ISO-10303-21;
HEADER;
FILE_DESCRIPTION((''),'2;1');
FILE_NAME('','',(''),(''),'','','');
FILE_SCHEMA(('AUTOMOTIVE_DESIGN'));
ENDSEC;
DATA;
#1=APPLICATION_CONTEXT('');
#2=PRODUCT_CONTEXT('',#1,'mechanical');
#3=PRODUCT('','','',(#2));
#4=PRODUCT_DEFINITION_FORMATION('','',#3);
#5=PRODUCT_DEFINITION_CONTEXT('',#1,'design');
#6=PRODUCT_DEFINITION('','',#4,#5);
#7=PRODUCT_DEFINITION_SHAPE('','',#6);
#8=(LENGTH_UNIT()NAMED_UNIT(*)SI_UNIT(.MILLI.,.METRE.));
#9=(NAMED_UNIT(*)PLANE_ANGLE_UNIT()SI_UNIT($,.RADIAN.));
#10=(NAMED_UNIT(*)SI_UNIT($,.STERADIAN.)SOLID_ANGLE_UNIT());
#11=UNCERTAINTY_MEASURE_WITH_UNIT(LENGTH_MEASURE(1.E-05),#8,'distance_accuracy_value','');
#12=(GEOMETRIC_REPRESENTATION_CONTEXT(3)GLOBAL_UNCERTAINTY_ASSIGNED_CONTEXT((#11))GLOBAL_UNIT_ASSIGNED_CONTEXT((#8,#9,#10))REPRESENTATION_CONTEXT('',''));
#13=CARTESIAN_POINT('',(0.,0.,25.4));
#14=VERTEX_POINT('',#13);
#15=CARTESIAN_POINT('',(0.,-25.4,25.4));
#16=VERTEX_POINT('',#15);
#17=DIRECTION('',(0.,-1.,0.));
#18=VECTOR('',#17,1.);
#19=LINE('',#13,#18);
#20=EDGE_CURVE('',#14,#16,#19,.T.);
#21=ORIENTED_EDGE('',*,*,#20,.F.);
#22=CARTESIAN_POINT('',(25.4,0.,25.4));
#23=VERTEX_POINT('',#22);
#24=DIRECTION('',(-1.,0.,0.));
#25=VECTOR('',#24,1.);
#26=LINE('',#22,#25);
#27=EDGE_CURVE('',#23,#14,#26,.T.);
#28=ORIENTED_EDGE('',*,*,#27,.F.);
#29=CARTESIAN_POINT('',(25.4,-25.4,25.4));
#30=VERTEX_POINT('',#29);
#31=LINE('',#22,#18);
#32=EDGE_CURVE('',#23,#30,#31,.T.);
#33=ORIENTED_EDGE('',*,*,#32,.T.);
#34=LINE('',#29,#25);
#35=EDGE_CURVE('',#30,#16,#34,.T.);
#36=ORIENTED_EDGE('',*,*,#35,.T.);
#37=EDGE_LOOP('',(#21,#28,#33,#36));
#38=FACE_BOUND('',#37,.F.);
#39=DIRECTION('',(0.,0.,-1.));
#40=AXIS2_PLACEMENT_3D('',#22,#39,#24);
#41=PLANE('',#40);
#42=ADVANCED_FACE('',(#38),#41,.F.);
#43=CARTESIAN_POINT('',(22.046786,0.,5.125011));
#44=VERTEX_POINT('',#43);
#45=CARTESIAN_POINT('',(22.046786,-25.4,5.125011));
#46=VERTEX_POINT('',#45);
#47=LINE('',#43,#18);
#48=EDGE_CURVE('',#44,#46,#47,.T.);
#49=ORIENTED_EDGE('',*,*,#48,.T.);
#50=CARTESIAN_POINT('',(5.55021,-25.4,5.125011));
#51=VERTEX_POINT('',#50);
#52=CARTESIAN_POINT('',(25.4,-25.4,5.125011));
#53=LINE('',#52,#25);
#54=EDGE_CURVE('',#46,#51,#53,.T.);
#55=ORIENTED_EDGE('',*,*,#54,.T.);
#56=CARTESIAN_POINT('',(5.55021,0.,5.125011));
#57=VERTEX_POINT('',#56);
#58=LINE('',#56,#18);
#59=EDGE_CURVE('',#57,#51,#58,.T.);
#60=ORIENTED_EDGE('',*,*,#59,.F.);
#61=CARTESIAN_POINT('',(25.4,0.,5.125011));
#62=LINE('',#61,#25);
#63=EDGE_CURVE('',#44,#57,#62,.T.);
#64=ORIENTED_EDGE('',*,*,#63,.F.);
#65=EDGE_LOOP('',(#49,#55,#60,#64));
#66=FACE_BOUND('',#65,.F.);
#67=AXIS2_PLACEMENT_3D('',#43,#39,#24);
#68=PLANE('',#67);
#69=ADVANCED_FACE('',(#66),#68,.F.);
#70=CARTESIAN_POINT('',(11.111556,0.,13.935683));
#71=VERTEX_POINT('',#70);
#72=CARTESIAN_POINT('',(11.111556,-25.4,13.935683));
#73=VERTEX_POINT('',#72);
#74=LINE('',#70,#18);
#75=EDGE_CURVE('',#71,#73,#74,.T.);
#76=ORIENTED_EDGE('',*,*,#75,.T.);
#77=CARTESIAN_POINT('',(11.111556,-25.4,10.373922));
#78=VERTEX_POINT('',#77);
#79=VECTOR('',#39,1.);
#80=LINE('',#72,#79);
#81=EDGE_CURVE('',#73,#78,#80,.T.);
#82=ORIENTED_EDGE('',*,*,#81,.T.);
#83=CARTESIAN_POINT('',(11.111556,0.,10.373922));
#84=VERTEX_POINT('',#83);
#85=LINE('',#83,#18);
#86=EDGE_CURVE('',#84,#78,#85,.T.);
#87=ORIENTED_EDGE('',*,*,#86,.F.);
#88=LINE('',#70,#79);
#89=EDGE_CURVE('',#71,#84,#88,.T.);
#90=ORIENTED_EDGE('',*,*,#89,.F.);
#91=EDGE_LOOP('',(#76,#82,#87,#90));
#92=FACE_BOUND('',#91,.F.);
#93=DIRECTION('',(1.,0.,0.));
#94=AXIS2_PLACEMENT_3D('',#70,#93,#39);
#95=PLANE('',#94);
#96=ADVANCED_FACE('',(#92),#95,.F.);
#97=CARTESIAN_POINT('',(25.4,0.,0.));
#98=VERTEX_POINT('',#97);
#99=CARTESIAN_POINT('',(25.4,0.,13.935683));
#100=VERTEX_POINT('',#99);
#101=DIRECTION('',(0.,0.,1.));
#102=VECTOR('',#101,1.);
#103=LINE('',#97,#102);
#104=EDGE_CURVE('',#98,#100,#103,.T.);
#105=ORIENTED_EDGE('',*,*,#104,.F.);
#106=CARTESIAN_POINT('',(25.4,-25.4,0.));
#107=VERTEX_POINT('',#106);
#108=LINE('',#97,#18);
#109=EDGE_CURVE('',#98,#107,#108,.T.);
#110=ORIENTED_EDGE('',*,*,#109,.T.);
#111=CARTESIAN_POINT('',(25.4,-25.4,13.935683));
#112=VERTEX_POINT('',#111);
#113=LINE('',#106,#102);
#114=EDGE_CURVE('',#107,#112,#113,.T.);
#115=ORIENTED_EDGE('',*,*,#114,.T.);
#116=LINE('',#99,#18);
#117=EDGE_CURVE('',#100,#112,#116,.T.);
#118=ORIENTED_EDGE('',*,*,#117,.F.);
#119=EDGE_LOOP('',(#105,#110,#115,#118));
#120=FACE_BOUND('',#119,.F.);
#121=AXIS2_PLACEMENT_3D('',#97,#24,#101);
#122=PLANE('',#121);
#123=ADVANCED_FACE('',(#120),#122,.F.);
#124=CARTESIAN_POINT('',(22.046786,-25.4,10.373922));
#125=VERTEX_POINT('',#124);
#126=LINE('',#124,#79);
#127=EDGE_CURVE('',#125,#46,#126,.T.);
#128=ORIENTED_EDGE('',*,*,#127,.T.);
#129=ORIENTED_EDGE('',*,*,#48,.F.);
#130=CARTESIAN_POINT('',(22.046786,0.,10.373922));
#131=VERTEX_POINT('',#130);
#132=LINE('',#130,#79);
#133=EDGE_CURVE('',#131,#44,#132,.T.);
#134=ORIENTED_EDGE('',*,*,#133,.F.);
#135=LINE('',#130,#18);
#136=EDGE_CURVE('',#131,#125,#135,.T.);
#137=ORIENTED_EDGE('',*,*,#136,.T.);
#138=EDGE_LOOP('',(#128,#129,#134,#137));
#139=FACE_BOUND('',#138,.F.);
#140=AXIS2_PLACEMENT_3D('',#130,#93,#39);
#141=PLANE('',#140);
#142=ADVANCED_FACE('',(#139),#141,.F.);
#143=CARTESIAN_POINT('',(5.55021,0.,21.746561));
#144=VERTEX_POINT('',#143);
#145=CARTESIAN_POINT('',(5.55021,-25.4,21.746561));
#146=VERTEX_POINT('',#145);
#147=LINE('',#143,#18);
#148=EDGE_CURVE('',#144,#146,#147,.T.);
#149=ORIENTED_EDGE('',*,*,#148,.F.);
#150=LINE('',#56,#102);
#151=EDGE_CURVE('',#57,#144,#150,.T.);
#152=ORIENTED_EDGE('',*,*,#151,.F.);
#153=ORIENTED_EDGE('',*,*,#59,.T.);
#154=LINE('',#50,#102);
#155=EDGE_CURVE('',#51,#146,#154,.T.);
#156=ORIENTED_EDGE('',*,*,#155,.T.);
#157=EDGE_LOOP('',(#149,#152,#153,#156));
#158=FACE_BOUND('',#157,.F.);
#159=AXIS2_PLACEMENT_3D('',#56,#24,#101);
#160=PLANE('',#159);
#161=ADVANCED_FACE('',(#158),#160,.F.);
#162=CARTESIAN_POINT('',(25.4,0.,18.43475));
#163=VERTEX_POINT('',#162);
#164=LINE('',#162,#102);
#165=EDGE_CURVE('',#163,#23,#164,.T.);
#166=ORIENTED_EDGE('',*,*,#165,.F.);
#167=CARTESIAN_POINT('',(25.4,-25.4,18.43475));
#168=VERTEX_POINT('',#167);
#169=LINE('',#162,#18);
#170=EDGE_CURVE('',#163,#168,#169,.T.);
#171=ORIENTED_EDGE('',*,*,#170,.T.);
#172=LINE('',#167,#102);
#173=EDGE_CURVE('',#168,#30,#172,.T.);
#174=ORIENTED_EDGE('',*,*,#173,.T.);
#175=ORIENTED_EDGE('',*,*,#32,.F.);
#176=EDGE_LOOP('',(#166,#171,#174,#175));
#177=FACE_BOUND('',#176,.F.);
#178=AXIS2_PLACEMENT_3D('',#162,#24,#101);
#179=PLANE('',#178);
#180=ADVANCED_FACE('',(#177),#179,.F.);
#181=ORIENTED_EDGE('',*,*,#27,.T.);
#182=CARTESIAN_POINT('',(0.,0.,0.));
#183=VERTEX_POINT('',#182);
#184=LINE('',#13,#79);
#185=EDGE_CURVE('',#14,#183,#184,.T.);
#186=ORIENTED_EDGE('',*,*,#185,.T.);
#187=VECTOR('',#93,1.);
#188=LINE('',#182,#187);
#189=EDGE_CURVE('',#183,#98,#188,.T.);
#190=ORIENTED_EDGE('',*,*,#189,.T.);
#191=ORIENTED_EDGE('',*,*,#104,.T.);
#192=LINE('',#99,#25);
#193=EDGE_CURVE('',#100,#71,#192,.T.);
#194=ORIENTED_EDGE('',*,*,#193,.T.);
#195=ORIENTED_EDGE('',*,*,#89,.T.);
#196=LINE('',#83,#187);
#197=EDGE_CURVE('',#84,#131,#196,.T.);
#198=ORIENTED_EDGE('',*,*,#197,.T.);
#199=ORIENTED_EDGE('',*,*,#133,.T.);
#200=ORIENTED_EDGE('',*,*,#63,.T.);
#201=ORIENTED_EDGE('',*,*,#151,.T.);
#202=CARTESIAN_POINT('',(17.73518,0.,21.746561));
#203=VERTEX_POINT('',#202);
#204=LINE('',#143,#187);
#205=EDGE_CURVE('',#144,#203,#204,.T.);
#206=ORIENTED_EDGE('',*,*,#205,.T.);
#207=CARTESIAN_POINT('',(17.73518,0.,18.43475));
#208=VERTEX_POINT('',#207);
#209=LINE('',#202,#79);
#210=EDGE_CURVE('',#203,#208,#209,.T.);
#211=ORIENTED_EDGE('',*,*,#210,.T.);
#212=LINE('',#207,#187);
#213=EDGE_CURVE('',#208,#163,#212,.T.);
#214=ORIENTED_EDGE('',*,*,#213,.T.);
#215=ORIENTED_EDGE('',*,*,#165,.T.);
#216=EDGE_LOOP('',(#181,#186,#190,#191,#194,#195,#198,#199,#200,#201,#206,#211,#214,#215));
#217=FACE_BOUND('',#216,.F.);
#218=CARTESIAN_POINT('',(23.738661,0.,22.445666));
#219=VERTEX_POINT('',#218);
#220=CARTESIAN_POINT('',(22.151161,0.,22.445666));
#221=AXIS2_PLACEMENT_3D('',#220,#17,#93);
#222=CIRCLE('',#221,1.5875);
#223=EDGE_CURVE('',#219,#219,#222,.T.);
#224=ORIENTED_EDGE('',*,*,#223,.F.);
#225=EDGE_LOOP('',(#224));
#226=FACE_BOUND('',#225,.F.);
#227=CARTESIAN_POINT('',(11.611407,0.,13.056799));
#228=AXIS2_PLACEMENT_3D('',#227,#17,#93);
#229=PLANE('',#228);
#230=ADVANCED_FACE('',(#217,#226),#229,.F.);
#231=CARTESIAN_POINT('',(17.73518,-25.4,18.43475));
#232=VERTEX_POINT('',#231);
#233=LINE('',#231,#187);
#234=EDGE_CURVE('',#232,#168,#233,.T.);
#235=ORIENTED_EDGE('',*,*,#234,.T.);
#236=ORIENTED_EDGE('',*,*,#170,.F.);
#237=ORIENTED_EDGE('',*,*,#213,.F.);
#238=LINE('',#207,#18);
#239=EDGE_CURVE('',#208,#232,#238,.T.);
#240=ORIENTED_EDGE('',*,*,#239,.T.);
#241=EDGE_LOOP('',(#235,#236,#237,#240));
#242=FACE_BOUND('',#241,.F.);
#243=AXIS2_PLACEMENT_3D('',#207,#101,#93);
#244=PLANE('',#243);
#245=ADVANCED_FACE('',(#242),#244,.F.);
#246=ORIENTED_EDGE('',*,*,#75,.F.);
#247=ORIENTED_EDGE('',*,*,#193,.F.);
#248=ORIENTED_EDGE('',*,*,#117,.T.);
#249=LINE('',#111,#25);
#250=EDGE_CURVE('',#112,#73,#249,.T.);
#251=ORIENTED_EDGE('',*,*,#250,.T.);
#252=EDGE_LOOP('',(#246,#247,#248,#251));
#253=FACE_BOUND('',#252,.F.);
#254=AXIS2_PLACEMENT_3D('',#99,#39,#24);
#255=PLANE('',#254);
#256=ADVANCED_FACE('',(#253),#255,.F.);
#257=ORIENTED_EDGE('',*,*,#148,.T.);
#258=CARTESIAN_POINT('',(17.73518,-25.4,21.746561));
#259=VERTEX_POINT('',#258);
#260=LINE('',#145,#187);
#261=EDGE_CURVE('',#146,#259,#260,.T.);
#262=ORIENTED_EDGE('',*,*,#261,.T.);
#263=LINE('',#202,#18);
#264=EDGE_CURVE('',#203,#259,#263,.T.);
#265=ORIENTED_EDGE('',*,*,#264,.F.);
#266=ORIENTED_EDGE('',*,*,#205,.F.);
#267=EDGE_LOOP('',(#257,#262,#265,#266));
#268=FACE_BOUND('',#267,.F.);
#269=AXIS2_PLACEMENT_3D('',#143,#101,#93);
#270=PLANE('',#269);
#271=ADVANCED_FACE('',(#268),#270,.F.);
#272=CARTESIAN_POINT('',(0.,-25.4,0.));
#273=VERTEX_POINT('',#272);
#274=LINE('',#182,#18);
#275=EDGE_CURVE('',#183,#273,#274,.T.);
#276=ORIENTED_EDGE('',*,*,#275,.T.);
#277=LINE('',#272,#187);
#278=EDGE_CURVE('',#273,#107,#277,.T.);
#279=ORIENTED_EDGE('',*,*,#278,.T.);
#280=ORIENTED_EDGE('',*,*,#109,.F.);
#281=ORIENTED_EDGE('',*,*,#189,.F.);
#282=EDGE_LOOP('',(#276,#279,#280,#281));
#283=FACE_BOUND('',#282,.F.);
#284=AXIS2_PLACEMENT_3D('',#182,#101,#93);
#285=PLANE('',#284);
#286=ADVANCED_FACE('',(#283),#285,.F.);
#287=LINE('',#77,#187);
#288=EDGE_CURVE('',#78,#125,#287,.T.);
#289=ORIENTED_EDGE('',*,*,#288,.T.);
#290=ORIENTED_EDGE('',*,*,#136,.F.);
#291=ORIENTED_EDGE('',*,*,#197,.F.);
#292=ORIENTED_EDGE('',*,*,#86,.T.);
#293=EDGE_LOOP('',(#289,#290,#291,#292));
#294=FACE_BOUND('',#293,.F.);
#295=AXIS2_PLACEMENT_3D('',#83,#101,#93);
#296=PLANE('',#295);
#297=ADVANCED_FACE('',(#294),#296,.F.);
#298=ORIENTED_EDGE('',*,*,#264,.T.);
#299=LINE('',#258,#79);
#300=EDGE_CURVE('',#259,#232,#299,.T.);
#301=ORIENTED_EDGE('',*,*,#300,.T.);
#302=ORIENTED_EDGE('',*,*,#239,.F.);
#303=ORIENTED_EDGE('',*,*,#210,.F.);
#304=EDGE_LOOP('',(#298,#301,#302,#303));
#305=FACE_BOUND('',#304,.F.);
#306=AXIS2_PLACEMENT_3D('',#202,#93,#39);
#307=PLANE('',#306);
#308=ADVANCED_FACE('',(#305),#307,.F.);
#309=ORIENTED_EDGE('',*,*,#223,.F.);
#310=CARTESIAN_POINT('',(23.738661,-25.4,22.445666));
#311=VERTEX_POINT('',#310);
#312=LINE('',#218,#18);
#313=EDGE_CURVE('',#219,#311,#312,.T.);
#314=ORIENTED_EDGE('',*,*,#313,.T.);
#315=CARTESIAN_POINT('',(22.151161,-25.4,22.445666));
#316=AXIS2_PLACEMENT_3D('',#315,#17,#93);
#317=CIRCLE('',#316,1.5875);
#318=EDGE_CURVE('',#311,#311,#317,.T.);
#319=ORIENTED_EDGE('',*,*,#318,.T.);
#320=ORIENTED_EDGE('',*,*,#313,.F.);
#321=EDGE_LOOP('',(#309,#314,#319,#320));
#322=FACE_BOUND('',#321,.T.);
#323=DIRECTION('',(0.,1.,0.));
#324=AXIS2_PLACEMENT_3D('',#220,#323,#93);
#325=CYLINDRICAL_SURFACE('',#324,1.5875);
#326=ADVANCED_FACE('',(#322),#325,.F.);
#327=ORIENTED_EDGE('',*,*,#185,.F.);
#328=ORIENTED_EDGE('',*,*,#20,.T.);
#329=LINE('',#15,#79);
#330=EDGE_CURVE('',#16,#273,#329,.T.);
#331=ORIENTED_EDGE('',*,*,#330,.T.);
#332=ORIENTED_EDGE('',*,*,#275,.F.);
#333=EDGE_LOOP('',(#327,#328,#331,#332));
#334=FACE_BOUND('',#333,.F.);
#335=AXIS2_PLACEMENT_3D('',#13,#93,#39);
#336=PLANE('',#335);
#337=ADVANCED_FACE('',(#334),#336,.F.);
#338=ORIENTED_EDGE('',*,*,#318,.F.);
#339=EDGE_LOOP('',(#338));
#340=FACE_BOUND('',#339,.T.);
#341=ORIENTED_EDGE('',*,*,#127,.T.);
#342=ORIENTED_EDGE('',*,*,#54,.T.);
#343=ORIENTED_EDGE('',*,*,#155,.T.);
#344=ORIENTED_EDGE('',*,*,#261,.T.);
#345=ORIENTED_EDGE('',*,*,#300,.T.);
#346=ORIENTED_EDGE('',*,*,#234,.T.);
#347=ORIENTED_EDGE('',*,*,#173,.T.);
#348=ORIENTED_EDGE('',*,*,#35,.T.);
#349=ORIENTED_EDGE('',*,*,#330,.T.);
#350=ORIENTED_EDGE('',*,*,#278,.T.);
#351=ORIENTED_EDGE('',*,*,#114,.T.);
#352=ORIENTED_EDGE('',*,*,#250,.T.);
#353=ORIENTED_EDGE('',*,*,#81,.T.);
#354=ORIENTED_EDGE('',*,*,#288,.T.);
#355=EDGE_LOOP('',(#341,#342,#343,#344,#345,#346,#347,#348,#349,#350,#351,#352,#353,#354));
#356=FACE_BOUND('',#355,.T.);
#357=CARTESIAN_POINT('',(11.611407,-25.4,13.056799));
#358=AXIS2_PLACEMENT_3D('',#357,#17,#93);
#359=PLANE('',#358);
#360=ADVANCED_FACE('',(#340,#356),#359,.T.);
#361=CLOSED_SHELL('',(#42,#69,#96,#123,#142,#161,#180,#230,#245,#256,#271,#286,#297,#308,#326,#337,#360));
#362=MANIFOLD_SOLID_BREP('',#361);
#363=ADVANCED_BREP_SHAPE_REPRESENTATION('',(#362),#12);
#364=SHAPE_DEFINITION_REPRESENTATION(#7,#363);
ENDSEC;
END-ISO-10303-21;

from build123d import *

# Parameters (mm, degrees)
F0_R     = 1.5875
F1_DEPTH = 25.4


with BuildPart() as f1:
    # F0 (on Front) → F1 (new body)
    with BuildSketch(Plane.XZ):
        Polygon((0, 25.4), (0, 0), (25.4, 0), (25.4, 5.125011), (22.046786, 5.125011), (5.55021, 5.125011), (5.55021, 21.746561), (17.73518, 21.746561), (17.73518, 18.43475), (25.4, 18.43475), (25.4, 25.4), align=None)
        with Locations((22.151161, 22.445666)):
            Circle(F0_R, mode=Mode.SUBTRACT)
        Polygon((22.046786, 5.125011), (25.4, 5.125011), (25.4, 9.061695), (25.4, 10.373922), (22.046786, 10.373922), align=None)
        Polygon((25.4, 10.373922), (25.4, 13.935683), (11.111556, 13.935683), (11.111556, 10.373922), (22.046786, 10.373922), align=None)
    extrude(amount=F1_DEPTH)


solid = f1.part
